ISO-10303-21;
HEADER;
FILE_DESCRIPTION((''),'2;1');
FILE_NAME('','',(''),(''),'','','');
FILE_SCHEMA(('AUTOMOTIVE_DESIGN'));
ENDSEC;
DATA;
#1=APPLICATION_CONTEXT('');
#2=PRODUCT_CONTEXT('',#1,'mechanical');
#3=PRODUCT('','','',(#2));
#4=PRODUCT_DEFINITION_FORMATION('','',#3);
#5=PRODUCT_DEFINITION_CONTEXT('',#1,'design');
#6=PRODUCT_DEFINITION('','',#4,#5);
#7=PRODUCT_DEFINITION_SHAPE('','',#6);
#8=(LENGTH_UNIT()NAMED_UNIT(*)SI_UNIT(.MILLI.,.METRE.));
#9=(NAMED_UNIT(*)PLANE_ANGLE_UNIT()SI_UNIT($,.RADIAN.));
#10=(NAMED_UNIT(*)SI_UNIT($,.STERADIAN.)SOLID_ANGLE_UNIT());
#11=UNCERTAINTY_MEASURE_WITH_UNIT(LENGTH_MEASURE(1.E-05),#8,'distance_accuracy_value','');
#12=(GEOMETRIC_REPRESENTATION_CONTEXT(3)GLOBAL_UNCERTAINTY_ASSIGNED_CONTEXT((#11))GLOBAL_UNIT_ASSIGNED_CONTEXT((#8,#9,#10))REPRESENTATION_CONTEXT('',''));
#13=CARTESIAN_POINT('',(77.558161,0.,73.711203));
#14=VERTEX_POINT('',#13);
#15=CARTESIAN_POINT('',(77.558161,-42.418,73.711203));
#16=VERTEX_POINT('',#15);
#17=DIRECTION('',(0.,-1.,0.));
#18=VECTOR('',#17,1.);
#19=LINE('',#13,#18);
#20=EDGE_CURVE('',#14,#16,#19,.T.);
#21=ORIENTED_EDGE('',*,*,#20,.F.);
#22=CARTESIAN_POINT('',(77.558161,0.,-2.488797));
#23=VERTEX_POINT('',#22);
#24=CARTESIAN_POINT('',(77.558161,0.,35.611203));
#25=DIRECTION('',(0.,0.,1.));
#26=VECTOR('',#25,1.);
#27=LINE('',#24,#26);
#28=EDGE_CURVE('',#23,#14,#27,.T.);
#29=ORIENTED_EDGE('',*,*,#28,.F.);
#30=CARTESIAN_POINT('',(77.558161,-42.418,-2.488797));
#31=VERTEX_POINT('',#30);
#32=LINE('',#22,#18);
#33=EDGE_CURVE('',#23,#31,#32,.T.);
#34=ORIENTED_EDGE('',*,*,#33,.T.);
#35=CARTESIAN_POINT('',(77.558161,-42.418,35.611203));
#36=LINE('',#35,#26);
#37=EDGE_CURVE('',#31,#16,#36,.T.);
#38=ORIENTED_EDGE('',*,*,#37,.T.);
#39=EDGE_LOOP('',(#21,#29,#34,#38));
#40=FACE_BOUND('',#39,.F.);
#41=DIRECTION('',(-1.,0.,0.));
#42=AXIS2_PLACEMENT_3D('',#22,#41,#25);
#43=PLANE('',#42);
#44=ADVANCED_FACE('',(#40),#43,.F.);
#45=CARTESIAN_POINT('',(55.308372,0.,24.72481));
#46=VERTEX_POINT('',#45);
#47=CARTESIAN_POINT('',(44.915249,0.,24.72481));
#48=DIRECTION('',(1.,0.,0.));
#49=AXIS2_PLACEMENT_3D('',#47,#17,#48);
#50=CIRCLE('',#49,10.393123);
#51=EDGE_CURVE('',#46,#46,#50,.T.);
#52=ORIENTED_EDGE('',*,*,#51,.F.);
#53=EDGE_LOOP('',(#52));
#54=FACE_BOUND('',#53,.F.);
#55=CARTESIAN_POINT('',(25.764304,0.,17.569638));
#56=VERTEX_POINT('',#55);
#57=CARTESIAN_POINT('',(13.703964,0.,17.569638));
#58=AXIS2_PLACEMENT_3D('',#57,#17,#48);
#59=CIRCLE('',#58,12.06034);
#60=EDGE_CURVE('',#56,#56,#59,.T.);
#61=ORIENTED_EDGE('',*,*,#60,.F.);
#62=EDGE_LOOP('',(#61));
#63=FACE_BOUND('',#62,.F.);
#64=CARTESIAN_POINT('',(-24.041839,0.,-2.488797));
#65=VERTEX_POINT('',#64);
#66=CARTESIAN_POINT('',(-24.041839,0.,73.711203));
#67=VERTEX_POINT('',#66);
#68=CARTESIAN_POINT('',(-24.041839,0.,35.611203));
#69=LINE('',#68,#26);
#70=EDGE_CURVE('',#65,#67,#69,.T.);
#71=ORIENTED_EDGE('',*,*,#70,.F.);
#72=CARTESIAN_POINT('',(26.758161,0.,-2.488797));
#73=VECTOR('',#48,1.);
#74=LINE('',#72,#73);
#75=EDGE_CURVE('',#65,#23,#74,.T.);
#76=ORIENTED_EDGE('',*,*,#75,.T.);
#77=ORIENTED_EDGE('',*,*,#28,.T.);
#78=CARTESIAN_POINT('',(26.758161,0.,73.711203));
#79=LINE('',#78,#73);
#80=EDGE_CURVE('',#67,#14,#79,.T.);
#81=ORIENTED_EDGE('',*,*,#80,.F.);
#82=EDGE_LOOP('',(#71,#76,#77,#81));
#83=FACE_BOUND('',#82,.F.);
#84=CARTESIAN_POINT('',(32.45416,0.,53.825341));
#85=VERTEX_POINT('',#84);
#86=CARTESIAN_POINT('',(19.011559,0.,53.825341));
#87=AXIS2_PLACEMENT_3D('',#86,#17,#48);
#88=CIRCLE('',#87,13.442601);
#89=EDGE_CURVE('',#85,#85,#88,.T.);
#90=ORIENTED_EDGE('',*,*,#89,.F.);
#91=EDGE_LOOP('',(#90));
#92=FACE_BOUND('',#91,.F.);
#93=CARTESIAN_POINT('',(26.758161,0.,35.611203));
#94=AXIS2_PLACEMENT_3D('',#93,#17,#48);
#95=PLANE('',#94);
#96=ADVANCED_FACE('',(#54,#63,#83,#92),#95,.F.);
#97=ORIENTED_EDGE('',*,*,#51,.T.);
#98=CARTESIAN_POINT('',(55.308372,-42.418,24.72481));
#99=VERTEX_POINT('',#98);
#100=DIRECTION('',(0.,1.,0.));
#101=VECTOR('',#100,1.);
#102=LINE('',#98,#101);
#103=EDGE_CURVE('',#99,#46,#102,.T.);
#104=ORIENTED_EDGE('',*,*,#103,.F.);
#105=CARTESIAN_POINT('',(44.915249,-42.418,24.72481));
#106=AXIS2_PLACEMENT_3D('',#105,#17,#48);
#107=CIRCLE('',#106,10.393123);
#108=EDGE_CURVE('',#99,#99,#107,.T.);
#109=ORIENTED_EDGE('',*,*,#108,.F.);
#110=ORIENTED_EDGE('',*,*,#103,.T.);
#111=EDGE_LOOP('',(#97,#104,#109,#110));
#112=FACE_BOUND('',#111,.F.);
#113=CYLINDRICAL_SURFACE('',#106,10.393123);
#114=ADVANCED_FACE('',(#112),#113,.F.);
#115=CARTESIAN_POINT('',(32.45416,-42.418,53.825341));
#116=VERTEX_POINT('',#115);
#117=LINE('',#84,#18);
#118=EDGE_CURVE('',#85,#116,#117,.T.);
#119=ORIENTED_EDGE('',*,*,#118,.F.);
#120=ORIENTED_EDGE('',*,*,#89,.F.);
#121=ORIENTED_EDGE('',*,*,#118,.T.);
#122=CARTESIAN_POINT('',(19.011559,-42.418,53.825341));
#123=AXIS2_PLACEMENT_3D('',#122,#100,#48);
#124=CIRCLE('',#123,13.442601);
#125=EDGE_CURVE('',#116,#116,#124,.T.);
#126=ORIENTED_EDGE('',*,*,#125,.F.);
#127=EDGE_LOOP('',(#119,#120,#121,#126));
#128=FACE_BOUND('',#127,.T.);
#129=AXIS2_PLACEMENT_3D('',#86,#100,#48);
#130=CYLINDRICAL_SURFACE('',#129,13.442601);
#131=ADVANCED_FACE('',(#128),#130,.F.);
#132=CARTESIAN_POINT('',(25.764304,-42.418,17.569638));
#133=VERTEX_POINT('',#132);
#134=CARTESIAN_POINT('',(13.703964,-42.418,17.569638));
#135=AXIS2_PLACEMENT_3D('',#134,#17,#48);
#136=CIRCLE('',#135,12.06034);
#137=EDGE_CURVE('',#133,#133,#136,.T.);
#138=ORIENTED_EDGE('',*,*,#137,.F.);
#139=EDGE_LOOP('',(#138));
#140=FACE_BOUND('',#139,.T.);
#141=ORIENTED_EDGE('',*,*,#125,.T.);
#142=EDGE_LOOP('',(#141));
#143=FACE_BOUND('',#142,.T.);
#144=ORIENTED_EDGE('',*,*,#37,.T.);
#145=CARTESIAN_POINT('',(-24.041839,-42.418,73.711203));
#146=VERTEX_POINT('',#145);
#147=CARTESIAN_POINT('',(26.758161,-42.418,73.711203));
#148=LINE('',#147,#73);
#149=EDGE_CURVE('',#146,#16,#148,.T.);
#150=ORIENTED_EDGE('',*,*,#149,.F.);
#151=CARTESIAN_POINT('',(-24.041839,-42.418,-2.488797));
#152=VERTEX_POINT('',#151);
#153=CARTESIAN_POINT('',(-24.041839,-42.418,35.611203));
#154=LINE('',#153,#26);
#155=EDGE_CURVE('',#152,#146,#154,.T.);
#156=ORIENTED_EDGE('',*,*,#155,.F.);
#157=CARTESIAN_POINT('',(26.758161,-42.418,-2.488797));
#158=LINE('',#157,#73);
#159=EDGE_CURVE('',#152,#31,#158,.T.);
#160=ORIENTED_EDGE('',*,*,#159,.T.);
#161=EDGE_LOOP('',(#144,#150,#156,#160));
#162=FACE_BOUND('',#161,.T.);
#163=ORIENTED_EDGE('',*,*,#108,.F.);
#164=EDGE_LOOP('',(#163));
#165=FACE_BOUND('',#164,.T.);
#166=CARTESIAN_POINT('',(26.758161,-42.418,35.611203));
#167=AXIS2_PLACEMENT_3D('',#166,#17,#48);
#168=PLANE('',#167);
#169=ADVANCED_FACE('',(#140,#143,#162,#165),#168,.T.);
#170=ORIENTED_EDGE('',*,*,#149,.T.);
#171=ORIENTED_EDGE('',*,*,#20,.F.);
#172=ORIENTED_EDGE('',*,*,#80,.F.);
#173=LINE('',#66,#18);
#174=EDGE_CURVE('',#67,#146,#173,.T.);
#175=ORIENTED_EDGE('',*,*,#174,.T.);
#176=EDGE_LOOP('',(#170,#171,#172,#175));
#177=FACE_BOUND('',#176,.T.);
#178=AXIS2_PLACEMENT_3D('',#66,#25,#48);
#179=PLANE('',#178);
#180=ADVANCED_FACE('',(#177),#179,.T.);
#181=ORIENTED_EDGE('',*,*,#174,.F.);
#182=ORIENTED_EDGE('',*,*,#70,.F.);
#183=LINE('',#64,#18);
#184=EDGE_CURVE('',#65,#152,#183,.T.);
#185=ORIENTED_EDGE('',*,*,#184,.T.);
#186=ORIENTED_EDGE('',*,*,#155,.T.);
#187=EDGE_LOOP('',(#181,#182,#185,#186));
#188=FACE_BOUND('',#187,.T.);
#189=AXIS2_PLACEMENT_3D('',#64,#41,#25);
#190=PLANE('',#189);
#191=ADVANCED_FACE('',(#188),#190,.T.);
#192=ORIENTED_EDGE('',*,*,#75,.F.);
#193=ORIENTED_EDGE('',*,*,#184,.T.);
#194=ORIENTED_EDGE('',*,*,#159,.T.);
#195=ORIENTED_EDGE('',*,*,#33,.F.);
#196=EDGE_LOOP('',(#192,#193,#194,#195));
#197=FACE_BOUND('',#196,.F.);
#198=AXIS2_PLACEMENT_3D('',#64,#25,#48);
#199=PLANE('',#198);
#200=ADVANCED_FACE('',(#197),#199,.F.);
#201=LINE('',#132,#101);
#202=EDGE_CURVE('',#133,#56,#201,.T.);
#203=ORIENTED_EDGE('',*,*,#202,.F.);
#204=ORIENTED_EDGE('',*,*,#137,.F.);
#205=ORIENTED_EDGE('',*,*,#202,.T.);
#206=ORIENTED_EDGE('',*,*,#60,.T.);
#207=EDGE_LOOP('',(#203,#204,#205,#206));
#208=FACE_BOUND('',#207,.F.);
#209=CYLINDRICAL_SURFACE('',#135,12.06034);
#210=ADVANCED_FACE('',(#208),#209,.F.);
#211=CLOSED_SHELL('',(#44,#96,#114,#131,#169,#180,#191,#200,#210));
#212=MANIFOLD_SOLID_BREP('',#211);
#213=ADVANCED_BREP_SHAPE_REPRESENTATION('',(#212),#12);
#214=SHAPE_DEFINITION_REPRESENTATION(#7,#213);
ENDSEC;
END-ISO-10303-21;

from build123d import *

# Parameters (mm, degrees)
F0_W     = 101.6
F0_H     = 76.2
F1_DEPTH = 42.418
F2_R     = 13.442601
F3_DEPTH = 67.564
F4_R     = 10.393123
F5_DEPTH = 93.218
F6_R     = 12.06034
F7_DEPTH = 66.548


with BuildPart() as f1:
    # F0 (on Front) → F1 (new body)
    with BuildSketch(Plane.XZ):
        with Locations((26.758161, 35.611203)):
            Rectangle(F0_W, F0_H)
    extrude(amount=F1_DEPTH)

    # F2 (on Front) → F3 (cut)
    with BuildSketch(Plane.XZ):
        with Locations((19.011559, 53.825341)):
            Circle(F2_R)
    extrude(amount=F3_DEPTH, mode=Mode.SUBTRACT)

    # F4 (on face) → F5 (cut)
    with BuildSketch(Plane.XZ.offset(42.418)):
        with Locations((44.915249, 24.72481)):
            Circle(F4_R)
    extrude(amount=-F5_DEPTH, mode=Mode.SUBTRACT)

    # F6 (on face) → F7 (cut)
    with BuildSketch(Plane.XZ.offset(42.418)):
        with Locations((13.703964, 17.569638)):
            Circle(F6_R)
    extrude(amount=-F7_DEPTH, mode=Mode.SUBTRACT)


solid = f1.part
